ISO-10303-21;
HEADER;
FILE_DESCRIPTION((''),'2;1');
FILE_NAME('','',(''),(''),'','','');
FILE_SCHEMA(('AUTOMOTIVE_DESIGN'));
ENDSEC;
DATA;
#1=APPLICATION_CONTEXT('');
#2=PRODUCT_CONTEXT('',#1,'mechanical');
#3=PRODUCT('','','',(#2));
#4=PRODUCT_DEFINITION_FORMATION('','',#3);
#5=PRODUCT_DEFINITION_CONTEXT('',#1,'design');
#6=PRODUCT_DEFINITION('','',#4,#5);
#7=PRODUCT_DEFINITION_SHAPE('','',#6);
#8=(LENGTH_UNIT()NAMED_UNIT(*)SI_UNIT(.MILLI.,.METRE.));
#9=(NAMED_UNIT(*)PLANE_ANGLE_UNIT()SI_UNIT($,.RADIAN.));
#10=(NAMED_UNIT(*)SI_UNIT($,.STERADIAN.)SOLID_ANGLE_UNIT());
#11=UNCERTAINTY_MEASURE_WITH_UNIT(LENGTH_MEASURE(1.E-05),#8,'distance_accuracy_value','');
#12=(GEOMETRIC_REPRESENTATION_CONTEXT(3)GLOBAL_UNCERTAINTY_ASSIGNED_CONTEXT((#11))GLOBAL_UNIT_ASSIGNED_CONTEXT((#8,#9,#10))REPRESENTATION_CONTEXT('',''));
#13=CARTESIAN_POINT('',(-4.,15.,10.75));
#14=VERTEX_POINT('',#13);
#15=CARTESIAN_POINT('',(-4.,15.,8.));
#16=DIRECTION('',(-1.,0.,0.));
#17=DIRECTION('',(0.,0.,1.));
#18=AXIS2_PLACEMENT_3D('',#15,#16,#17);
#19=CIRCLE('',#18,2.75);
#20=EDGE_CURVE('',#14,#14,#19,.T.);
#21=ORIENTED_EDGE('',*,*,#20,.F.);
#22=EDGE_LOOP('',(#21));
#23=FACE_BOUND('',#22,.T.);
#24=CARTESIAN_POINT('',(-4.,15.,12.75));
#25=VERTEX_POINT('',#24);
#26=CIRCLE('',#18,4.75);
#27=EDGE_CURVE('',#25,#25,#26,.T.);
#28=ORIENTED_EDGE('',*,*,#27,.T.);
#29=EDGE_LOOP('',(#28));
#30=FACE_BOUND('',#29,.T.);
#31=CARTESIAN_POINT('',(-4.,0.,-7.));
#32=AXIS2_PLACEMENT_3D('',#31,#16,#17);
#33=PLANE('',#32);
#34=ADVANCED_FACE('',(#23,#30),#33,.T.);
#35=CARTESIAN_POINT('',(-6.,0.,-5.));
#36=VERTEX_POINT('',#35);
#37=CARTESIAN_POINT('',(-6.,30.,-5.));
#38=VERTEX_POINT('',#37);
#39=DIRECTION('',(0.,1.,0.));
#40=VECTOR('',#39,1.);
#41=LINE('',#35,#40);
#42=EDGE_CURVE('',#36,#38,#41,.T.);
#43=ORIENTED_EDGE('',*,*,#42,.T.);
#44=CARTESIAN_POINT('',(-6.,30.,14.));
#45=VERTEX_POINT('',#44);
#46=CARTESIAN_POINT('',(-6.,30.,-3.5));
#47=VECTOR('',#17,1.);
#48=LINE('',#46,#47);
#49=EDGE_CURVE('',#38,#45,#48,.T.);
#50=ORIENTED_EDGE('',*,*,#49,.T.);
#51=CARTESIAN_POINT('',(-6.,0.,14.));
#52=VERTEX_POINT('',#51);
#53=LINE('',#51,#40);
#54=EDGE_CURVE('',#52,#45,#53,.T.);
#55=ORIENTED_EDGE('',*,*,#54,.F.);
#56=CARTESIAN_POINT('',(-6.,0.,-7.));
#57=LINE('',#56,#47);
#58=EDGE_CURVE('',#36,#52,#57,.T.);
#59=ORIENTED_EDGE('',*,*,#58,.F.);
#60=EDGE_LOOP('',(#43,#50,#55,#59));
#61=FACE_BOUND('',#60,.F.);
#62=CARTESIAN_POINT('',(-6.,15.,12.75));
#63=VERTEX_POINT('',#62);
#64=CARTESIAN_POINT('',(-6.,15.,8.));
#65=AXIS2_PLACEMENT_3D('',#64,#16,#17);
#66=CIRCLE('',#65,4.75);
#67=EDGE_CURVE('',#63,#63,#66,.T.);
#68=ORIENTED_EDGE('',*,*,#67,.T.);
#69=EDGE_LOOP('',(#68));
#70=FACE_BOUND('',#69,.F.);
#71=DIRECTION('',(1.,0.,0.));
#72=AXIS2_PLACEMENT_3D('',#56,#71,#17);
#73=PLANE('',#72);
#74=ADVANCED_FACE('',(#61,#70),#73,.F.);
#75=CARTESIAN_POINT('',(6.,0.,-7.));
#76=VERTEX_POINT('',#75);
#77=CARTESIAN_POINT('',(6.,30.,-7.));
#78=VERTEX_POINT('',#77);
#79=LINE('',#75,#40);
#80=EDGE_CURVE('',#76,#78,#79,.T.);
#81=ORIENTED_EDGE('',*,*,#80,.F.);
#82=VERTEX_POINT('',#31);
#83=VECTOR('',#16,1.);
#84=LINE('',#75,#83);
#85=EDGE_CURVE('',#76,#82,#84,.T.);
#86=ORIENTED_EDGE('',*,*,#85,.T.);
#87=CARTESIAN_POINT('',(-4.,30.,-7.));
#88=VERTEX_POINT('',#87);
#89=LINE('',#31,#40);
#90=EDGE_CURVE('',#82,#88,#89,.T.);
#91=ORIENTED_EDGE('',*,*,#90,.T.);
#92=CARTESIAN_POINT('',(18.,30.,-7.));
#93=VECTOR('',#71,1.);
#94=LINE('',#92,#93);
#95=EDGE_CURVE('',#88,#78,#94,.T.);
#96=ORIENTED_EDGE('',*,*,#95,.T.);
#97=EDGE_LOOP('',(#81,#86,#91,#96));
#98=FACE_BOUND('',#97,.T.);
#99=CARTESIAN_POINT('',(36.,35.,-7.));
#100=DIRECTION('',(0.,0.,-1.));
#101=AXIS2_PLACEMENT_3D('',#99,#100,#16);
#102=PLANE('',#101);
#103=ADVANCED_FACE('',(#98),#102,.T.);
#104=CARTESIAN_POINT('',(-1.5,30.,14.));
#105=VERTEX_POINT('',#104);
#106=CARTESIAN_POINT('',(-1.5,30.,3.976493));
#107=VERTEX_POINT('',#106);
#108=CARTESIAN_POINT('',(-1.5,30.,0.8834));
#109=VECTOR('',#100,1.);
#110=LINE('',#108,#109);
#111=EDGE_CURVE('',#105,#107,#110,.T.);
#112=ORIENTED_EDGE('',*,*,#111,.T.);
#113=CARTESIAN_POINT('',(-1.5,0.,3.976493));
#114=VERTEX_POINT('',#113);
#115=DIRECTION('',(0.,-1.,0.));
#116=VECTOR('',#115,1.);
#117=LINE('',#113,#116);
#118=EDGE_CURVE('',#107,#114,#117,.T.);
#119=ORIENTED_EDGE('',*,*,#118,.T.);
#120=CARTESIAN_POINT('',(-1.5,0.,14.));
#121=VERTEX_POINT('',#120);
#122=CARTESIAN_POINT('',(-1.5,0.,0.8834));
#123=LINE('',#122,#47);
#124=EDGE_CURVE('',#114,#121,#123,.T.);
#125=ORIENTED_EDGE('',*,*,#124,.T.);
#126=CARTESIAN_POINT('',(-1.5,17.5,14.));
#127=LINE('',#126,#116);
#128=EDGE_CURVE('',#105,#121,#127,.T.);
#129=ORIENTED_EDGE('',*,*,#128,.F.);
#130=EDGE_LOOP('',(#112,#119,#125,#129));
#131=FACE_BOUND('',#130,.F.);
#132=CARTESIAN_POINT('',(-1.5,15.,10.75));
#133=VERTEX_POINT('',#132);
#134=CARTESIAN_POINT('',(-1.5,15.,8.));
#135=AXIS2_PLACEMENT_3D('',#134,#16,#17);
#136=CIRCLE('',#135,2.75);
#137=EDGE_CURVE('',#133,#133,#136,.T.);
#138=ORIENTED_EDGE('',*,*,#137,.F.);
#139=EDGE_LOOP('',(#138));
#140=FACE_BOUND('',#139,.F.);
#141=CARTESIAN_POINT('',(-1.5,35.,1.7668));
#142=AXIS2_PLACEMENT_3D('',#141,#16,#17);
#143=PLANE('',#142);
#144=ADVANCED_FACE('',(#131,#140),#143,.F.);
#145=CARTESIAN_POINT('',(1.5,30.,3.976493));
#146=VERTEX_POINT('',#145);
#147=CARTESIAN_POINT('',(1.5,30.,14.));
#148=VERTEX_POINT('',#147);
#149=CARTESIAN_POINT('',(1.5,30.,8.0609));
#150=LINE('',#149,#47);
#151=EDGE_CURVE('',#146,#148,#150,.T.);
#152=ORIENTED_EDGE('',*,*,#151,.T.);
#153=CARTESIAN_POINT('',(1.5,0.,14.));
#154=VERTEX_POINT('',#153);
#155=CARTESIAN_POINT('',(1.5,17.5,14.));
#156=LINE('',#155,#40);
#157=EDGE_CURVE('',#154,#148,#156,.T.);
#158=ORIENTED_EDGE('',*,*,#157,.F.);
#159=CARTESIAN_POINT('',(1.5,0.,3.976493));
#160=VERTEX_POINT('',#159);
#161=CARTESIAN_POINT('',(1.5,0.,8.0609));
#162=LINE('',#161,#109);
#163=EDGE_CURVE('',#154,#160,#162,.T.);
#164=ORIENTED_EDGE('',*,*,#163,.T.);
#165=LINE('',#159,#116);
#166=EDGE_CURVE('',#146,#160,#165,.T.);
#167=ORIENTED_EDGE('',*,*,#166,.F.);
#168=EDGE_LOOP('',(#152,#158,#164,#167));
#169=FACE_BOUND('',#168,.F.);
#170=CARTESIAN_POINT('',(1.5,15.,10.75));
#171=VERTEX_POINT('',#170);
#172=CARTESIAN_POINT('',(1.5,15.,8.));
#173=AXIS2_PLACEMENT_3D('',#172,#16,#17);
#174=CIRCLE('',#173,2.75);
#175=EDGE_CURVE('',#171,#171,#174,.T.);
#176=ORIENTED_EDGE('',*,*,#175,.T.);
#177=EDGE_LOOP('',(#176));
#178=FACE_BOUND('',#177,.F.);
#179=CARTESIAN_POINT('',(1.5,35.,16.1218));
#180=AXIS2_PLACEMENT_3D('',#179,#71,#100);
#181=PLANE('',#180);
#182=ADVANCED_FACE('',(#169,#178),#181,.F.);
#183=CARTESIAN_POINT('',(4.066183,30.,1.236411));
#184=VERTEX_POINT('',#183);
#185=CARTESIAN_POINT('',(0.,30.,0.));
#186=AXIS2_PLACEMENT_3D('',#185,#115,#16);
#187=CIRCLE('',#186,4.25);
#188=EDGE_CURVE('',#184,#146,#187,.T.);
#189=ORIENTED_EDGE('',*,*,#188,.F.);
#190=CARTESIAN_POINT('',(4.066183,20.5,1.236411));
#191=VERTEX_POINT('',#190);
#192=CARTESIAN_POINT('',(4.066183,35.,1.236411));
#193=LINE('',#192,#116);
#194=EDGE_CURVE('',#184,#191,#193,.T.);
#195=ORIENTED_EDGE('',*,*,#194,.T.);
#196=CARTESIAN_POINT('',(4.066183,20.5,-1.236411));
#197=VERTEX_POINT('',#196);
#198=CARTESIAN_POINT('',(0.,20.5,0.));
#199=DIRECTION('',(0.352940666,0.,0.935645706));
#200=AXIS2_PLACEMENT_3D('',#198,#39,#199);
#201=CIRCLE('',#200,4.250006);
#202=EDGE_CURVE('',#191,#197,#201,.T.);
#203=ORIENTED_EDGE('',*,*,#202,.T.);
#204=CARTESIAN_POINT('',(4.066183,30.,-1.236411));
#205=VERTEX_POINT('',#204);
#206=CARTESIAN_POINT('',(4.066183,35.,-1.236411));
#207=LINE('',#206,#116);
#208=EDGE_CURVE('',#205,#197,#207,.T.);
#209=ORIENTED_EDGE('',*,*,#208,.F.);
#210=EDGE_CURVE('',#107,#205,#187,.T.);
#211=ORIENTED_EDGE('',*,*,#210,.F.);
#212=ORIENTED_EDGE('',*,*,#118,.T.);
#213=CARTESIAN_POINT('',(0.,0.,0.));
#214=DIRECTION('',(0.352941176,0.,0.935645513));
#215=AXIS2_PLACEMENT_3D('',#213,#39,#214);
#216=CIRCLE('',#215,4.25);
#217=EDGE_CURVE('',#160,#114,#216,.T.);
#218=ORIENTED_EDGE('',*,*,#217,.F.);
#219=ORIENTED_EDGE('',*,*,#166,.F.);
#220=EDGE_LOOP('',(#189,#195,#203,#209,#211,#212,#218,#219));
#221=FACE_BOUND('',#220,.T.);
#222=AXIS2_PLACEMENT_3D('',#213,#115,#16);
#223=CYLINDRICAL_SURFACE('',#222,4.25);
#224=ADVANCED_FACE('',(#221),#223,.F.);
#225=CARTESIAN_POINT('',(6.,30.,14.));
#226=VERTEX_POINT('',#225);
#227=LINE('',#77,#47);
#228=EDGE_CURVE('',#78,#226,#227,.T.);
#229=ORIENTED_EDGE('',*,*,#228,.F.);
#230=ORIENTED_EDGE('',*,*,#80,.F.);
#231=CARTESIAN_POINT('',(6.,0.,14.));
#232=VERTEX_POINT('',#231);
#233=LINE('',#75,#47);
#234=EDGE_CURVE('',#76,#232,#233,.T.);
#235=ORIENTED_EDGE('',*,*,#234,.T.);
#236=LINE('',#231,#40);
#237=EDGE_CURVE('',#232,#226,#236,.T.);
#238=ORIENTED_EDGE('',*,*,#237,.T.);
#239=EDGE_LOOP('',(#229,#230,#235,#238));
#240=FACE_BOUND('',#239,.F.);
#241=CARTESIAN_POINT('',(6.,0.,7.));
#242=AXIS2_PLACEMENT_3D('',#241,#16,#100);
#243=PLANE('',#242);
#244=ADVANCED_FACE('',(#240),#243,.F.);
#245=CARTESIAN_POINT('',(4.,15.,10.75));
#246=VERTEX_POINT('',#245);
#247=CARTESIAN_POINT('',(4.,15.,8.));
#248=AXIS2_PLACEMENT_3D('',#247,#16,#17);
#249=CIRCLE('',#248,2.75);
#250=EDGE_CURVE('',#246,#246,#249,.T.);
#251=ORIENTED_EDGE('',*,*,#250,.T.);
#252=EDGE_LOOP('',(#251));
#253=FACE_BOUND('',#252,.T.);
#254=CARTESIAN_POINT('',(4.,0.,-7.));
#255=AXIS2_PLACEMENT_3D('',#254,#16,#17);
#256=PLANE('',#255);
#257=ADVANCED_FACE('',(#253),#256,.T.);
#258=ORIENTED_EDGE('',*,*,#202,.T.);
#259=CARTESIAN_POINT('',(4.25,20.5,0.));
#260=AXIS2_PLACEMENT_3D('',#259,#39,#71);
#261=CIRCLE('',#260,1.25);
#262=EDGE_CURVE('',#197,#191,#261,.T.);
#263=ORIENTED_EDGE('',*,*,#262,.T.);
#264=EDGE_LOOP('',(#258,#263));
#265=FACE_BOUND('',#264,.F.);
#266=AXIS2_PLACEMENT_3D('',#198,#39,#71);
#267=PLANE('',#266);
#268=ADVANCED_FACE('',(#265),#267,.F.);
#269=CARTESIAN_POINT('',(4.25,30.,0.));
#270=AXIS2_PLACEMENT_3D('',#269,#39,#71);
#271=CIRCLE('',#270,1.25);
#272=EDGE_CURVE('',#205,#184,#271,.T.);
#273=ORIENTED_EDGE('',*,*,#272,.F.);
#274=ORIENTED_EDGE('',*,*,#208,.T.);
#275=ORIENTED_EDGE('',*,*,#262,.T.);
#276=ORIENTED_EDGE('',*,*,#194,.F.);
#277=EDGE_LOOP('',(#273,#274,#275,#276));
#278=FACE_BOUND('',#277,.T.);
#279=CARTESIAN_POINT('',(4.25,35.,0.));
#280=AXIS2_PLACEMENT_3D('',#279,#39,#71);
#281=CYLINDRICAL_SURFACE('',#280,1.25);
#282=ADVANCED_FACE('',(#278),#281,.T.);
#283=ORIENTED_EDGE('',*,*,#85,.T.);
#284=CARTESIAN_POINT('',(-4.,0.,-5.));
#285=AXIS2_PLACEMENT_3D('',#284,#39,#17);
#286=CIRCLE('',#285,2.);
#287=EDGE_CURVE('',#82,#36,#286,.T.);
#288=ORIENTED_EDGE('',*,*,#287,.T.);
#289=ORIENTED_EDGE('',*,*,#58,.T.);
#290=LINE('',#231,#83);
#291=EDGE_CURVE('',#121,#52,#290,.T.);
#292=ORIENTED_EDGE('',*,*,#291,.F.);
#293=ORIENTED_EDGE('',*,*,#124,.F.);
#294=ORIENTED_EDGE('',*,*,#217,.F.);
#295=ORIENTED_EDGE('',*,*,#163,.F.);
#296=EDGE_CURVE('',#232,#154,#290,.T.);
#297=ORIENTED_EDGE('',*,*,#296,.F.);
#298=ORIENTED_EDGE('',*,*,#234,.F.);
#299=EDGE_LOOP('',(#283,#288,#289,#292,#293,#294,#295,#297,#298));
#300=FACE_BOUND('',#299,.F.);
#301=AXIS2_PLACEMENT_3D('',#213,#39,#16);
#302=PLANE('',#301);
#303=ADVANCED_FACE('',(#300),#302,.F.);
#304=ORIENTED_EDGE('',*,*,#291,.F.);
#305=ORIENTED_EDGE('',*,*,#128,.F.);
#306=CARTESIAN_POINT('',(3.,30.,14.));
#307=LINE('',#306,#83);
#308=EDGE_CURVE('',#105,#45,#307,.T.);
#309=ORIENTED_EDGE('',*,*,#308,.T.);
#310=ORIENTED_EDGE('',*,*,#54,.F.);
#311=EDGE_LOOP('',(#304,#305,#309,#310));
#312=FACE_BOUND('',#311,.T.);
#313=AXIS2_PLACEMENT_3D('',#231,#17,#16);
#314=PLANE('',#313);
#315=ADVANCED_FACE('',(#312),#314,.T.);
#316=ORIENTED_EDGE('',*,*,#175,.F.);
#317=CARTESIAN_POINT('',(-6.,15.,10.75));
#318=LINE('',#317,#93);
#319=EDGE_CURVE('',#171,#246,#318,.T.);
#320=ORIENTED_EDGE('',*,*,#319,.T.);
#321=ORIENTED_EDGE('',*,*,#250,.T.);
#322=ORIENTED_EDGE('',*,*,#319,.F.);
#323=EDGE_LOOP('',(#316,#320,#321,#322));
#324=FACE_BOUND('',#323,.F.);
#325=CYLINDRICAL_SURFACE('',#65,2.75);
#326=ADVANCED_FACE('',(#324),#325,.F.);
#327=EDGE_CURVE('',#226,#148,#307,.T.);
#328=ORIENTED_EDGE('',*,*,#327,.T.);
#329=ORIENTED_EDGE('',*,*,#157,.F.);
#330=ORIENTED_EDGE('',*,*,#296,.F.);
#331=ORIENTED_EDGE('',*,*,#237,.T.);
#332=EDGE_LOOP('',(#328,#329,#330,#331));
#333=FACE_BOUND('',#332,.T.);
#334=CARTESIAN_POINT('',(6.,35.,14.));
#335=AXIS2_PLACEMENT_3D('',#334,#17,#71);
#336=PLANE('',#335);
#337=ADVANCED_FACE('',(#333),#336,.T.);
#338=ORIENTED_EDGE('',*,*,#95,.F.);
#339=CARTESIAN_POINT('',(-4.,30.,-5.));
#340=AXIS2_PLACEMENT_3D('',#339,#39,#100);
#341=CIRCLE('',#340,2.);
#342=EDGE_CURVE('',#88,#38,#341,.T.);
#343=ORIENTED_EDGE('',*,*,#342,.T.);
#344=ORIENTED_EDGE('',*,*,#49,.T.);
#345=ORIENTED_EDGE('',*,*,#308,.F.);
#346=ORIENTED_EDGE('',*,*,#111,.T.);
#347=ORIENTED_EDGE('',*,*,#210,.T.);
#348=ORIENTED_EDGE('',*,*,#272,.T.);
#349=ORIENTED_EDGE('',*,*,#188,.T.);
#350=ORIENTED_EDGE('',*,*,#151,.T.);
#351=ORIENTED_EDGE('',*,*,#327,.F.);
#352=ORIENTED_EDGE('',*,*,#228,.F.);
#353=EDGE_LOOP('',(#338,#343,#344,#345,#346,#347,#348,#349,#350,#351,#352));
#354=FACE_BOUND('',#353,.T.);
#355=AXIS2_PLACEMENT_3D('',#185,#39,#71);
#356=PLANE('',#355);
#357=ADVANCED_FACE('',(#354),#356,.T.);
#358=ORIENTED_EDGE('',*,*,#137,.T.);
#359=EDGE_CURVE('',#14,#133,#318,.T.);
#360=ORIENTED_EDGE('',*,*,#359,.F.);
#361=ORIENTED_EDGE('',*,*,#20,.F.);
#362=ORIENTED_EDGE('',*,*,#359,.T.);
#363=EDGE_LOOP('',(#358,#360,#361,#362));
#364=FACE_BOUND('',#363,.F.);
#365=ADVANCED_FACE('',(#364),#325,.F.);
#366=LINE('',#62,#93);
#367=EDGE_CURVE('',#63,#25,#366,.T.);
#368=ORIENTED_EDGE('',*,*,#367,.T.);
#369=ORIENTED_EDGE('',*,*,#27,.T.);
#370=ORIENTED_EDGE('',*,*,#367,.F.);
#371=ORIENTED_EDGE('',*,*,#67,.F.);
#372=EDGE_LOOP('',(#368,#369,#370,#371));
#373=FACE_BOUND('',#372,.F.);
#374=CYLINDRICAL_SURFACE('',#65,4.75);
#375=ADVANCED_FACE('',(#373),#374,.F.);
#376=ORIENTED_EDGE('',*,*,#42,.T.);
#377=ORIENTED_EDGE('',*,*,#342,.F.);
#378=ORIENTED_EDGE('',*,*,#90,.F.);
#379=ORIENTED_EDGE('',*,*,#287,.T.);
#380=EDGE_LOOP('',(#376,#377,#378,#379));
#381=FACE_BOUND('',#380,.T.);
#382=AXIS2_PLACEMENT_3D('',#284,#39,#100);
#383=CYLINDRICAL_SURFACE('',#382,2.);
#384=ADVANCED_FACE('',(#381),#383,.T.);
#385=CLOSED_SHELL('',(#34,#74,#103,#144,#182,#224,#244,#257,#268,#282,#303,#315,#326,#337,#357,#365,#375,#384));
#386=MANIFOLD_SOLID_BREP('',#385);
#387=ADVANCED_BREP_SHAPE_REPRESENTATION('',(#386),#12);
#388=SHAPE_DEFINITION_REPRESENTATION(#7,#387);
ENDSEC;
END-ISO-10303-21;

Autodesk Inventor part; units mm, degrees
ref_plane "YZ Plane" through (0, 0, 0) normal (1, 0, 0) x (0, 1, 0)
ref_plane "XZ Plane" through (0, 0, 0) normal (0, 1, 0) x (-1, 0, 0)
ref_plane "XY Plane" through (0, 0, 0) normal (0, 0, 1) x (1, 0, 0)
sketch "Sketch1" plane through (0, 0, 0) normal (0, 1, 0) x (-1, 0, 0)
  circle A0 centre (0, 0) radius 4.25
  line L0 (6, 7) -> (-6, 7)
  line L1 (-6, 7) -> (-6, -7)
  line L2 (-6, -7) -> (6, -7)
  line L3 (6, -7) -> (6, 7)
  line L4 (6, 7) -> (-6, 7)
  line L5 (-6, 7) -> (-6, 14)
  line L6 (-6, 14) -> (6, 14)
  line L7 (6, 14) -> (6, 7)
  point P0 (-6, 7)
  dimension "d0" = 8.5
  dimension "d1" = 6
  dimension "d2" = 14
  dimension "d3" = 12
  dimension "d4" = 7
  dimension "d5" = 7
extrude "Extrusion1" add sketch "Sketch1" along normal blind 35
sketch "Sketch2" plane through (0, 35, 0) normal (0, 1, 0) x (1, 0, 0)
  line L0 (-1.5, -16.1218) -> (1.5, -16.1218)
  line L1 (1.5, -16.1218) -> (1.5, -1.7668)
  line L2 (1.5, -1.7668) -> (-1.5, -1.7668)
  line L3 (-1.5, -1.7668) -> (-1.5, -16.1218)
  point P0 (0, 0)
  dimension "d8" = 1.5
  dimension "d9" = 1.5
extrude "Extrusion2" cut sketch "Sketch2" against normal through all
sketch "Sketch3" plane through (-6, 0, -7) normal (-1, 0, 0) x (0, 0, 1)
  circle A0 centre (15, 15) radius 2.75
  line L0 (21, 0) -> (21, 35) projected
  line L1 (0, 0) -> (21, 0) projected
  point P0 (7, 0)
  dimension "d12" = 5.5
  dimension "d13" = 6
  dimension "d14" = 15
extrude "Extrusion3" cut sketch "Sketch3" against normal blind 10
sketch "Sketch4" plane through (0, 35, 0) normal (0, 1, 0) x (1, 0, 0)
  arc A0 (1.5, -3.9765) -> (-1.5, -3.9765) centre (0, 0) ccw projected
  circle A1 centre (4.25, 0) radius 1.25
  point P0 (4.0662, 1.2364)
  point P1 (4.0662, -1.2364)
  dimension "d17" = 2.5
extrude "Extrusion4" add sketch "Sketch4" against normal blind 14.5 contours A1 A0 picked at (3.8196, 0)
sketch "Sketch5" plane through (0, 35, 0) normal (0, 1, 0) x (1, 0, 0)
  line L0 (1.5, -14) -> (6, -14) projected
  line L1 (6, -14) -> (36, -14)
  line L2 (36, -14) -> (36, 7)
  line L3 (36, 7) -> (6, 7)
  line L4 (6, 7) -> (6, -14)
  circle A0 centre (21, -3.5) radius 2.75
  point P0 (0, 0)
  dimension "d20" = 30
  dimension "d21" = 15
  dimension "d22" = 10.5
  dimension "d23" = 5.5
extrude "Extrusion5" add sketch "Sketch5" against normal blind 5
sketch "Sketch6" plane through (0, 35, 0) normal (0, 1, 0) x (1, 0, 0)
  circle A0 centre (21, -3.5) radius 2.75 projected
  circle A1 centre (21, -3.5) radius 4.75
  point P0 (0, 0)
  dimension "d26" = 9.5
extrude "Extrusion6" cut sketch "Sketch6" against normal blind 2
sketch "Sketch7" plane through (-6, 0, -7) normal (-1, 0, 0) x (0, 0, 1)
  circle A0 centre (15, 15) radius 2.75 projected
  circle A1 centre (15, 15) radius 4.75
  point P0 (7, 0)
  dimension "d29" = 9.5
extrude "Extrusion7" cut sketch "Sketch7" against normal blind 2
fillet "Fillet1" radius 2 3 edges at (-6, 17.5, -7) (36, 32.5, -7) (36, 32.5, 14)
sketch "Sketch9" plane through (0, 35, 0) normal (0, 1, 0) x (1, 0, 0)
  line L0 (-21.5057, -29.1514) -> (41.8439, -29.1514)
  line L1 (41.8439, -29.1514) -> (41.8439, 16.5719)
  line L2 (41.8439, 16.5719) -> (-21.5057, 16.5719)
  line L3 (-21.5057, 16.5719) -> (-21.5057, -29.1514)
  point P0 (0, 0)
extrude "Extrusion8" cut sketch "Sketch9" against normal blind 5
properties part number "YsupportA"
